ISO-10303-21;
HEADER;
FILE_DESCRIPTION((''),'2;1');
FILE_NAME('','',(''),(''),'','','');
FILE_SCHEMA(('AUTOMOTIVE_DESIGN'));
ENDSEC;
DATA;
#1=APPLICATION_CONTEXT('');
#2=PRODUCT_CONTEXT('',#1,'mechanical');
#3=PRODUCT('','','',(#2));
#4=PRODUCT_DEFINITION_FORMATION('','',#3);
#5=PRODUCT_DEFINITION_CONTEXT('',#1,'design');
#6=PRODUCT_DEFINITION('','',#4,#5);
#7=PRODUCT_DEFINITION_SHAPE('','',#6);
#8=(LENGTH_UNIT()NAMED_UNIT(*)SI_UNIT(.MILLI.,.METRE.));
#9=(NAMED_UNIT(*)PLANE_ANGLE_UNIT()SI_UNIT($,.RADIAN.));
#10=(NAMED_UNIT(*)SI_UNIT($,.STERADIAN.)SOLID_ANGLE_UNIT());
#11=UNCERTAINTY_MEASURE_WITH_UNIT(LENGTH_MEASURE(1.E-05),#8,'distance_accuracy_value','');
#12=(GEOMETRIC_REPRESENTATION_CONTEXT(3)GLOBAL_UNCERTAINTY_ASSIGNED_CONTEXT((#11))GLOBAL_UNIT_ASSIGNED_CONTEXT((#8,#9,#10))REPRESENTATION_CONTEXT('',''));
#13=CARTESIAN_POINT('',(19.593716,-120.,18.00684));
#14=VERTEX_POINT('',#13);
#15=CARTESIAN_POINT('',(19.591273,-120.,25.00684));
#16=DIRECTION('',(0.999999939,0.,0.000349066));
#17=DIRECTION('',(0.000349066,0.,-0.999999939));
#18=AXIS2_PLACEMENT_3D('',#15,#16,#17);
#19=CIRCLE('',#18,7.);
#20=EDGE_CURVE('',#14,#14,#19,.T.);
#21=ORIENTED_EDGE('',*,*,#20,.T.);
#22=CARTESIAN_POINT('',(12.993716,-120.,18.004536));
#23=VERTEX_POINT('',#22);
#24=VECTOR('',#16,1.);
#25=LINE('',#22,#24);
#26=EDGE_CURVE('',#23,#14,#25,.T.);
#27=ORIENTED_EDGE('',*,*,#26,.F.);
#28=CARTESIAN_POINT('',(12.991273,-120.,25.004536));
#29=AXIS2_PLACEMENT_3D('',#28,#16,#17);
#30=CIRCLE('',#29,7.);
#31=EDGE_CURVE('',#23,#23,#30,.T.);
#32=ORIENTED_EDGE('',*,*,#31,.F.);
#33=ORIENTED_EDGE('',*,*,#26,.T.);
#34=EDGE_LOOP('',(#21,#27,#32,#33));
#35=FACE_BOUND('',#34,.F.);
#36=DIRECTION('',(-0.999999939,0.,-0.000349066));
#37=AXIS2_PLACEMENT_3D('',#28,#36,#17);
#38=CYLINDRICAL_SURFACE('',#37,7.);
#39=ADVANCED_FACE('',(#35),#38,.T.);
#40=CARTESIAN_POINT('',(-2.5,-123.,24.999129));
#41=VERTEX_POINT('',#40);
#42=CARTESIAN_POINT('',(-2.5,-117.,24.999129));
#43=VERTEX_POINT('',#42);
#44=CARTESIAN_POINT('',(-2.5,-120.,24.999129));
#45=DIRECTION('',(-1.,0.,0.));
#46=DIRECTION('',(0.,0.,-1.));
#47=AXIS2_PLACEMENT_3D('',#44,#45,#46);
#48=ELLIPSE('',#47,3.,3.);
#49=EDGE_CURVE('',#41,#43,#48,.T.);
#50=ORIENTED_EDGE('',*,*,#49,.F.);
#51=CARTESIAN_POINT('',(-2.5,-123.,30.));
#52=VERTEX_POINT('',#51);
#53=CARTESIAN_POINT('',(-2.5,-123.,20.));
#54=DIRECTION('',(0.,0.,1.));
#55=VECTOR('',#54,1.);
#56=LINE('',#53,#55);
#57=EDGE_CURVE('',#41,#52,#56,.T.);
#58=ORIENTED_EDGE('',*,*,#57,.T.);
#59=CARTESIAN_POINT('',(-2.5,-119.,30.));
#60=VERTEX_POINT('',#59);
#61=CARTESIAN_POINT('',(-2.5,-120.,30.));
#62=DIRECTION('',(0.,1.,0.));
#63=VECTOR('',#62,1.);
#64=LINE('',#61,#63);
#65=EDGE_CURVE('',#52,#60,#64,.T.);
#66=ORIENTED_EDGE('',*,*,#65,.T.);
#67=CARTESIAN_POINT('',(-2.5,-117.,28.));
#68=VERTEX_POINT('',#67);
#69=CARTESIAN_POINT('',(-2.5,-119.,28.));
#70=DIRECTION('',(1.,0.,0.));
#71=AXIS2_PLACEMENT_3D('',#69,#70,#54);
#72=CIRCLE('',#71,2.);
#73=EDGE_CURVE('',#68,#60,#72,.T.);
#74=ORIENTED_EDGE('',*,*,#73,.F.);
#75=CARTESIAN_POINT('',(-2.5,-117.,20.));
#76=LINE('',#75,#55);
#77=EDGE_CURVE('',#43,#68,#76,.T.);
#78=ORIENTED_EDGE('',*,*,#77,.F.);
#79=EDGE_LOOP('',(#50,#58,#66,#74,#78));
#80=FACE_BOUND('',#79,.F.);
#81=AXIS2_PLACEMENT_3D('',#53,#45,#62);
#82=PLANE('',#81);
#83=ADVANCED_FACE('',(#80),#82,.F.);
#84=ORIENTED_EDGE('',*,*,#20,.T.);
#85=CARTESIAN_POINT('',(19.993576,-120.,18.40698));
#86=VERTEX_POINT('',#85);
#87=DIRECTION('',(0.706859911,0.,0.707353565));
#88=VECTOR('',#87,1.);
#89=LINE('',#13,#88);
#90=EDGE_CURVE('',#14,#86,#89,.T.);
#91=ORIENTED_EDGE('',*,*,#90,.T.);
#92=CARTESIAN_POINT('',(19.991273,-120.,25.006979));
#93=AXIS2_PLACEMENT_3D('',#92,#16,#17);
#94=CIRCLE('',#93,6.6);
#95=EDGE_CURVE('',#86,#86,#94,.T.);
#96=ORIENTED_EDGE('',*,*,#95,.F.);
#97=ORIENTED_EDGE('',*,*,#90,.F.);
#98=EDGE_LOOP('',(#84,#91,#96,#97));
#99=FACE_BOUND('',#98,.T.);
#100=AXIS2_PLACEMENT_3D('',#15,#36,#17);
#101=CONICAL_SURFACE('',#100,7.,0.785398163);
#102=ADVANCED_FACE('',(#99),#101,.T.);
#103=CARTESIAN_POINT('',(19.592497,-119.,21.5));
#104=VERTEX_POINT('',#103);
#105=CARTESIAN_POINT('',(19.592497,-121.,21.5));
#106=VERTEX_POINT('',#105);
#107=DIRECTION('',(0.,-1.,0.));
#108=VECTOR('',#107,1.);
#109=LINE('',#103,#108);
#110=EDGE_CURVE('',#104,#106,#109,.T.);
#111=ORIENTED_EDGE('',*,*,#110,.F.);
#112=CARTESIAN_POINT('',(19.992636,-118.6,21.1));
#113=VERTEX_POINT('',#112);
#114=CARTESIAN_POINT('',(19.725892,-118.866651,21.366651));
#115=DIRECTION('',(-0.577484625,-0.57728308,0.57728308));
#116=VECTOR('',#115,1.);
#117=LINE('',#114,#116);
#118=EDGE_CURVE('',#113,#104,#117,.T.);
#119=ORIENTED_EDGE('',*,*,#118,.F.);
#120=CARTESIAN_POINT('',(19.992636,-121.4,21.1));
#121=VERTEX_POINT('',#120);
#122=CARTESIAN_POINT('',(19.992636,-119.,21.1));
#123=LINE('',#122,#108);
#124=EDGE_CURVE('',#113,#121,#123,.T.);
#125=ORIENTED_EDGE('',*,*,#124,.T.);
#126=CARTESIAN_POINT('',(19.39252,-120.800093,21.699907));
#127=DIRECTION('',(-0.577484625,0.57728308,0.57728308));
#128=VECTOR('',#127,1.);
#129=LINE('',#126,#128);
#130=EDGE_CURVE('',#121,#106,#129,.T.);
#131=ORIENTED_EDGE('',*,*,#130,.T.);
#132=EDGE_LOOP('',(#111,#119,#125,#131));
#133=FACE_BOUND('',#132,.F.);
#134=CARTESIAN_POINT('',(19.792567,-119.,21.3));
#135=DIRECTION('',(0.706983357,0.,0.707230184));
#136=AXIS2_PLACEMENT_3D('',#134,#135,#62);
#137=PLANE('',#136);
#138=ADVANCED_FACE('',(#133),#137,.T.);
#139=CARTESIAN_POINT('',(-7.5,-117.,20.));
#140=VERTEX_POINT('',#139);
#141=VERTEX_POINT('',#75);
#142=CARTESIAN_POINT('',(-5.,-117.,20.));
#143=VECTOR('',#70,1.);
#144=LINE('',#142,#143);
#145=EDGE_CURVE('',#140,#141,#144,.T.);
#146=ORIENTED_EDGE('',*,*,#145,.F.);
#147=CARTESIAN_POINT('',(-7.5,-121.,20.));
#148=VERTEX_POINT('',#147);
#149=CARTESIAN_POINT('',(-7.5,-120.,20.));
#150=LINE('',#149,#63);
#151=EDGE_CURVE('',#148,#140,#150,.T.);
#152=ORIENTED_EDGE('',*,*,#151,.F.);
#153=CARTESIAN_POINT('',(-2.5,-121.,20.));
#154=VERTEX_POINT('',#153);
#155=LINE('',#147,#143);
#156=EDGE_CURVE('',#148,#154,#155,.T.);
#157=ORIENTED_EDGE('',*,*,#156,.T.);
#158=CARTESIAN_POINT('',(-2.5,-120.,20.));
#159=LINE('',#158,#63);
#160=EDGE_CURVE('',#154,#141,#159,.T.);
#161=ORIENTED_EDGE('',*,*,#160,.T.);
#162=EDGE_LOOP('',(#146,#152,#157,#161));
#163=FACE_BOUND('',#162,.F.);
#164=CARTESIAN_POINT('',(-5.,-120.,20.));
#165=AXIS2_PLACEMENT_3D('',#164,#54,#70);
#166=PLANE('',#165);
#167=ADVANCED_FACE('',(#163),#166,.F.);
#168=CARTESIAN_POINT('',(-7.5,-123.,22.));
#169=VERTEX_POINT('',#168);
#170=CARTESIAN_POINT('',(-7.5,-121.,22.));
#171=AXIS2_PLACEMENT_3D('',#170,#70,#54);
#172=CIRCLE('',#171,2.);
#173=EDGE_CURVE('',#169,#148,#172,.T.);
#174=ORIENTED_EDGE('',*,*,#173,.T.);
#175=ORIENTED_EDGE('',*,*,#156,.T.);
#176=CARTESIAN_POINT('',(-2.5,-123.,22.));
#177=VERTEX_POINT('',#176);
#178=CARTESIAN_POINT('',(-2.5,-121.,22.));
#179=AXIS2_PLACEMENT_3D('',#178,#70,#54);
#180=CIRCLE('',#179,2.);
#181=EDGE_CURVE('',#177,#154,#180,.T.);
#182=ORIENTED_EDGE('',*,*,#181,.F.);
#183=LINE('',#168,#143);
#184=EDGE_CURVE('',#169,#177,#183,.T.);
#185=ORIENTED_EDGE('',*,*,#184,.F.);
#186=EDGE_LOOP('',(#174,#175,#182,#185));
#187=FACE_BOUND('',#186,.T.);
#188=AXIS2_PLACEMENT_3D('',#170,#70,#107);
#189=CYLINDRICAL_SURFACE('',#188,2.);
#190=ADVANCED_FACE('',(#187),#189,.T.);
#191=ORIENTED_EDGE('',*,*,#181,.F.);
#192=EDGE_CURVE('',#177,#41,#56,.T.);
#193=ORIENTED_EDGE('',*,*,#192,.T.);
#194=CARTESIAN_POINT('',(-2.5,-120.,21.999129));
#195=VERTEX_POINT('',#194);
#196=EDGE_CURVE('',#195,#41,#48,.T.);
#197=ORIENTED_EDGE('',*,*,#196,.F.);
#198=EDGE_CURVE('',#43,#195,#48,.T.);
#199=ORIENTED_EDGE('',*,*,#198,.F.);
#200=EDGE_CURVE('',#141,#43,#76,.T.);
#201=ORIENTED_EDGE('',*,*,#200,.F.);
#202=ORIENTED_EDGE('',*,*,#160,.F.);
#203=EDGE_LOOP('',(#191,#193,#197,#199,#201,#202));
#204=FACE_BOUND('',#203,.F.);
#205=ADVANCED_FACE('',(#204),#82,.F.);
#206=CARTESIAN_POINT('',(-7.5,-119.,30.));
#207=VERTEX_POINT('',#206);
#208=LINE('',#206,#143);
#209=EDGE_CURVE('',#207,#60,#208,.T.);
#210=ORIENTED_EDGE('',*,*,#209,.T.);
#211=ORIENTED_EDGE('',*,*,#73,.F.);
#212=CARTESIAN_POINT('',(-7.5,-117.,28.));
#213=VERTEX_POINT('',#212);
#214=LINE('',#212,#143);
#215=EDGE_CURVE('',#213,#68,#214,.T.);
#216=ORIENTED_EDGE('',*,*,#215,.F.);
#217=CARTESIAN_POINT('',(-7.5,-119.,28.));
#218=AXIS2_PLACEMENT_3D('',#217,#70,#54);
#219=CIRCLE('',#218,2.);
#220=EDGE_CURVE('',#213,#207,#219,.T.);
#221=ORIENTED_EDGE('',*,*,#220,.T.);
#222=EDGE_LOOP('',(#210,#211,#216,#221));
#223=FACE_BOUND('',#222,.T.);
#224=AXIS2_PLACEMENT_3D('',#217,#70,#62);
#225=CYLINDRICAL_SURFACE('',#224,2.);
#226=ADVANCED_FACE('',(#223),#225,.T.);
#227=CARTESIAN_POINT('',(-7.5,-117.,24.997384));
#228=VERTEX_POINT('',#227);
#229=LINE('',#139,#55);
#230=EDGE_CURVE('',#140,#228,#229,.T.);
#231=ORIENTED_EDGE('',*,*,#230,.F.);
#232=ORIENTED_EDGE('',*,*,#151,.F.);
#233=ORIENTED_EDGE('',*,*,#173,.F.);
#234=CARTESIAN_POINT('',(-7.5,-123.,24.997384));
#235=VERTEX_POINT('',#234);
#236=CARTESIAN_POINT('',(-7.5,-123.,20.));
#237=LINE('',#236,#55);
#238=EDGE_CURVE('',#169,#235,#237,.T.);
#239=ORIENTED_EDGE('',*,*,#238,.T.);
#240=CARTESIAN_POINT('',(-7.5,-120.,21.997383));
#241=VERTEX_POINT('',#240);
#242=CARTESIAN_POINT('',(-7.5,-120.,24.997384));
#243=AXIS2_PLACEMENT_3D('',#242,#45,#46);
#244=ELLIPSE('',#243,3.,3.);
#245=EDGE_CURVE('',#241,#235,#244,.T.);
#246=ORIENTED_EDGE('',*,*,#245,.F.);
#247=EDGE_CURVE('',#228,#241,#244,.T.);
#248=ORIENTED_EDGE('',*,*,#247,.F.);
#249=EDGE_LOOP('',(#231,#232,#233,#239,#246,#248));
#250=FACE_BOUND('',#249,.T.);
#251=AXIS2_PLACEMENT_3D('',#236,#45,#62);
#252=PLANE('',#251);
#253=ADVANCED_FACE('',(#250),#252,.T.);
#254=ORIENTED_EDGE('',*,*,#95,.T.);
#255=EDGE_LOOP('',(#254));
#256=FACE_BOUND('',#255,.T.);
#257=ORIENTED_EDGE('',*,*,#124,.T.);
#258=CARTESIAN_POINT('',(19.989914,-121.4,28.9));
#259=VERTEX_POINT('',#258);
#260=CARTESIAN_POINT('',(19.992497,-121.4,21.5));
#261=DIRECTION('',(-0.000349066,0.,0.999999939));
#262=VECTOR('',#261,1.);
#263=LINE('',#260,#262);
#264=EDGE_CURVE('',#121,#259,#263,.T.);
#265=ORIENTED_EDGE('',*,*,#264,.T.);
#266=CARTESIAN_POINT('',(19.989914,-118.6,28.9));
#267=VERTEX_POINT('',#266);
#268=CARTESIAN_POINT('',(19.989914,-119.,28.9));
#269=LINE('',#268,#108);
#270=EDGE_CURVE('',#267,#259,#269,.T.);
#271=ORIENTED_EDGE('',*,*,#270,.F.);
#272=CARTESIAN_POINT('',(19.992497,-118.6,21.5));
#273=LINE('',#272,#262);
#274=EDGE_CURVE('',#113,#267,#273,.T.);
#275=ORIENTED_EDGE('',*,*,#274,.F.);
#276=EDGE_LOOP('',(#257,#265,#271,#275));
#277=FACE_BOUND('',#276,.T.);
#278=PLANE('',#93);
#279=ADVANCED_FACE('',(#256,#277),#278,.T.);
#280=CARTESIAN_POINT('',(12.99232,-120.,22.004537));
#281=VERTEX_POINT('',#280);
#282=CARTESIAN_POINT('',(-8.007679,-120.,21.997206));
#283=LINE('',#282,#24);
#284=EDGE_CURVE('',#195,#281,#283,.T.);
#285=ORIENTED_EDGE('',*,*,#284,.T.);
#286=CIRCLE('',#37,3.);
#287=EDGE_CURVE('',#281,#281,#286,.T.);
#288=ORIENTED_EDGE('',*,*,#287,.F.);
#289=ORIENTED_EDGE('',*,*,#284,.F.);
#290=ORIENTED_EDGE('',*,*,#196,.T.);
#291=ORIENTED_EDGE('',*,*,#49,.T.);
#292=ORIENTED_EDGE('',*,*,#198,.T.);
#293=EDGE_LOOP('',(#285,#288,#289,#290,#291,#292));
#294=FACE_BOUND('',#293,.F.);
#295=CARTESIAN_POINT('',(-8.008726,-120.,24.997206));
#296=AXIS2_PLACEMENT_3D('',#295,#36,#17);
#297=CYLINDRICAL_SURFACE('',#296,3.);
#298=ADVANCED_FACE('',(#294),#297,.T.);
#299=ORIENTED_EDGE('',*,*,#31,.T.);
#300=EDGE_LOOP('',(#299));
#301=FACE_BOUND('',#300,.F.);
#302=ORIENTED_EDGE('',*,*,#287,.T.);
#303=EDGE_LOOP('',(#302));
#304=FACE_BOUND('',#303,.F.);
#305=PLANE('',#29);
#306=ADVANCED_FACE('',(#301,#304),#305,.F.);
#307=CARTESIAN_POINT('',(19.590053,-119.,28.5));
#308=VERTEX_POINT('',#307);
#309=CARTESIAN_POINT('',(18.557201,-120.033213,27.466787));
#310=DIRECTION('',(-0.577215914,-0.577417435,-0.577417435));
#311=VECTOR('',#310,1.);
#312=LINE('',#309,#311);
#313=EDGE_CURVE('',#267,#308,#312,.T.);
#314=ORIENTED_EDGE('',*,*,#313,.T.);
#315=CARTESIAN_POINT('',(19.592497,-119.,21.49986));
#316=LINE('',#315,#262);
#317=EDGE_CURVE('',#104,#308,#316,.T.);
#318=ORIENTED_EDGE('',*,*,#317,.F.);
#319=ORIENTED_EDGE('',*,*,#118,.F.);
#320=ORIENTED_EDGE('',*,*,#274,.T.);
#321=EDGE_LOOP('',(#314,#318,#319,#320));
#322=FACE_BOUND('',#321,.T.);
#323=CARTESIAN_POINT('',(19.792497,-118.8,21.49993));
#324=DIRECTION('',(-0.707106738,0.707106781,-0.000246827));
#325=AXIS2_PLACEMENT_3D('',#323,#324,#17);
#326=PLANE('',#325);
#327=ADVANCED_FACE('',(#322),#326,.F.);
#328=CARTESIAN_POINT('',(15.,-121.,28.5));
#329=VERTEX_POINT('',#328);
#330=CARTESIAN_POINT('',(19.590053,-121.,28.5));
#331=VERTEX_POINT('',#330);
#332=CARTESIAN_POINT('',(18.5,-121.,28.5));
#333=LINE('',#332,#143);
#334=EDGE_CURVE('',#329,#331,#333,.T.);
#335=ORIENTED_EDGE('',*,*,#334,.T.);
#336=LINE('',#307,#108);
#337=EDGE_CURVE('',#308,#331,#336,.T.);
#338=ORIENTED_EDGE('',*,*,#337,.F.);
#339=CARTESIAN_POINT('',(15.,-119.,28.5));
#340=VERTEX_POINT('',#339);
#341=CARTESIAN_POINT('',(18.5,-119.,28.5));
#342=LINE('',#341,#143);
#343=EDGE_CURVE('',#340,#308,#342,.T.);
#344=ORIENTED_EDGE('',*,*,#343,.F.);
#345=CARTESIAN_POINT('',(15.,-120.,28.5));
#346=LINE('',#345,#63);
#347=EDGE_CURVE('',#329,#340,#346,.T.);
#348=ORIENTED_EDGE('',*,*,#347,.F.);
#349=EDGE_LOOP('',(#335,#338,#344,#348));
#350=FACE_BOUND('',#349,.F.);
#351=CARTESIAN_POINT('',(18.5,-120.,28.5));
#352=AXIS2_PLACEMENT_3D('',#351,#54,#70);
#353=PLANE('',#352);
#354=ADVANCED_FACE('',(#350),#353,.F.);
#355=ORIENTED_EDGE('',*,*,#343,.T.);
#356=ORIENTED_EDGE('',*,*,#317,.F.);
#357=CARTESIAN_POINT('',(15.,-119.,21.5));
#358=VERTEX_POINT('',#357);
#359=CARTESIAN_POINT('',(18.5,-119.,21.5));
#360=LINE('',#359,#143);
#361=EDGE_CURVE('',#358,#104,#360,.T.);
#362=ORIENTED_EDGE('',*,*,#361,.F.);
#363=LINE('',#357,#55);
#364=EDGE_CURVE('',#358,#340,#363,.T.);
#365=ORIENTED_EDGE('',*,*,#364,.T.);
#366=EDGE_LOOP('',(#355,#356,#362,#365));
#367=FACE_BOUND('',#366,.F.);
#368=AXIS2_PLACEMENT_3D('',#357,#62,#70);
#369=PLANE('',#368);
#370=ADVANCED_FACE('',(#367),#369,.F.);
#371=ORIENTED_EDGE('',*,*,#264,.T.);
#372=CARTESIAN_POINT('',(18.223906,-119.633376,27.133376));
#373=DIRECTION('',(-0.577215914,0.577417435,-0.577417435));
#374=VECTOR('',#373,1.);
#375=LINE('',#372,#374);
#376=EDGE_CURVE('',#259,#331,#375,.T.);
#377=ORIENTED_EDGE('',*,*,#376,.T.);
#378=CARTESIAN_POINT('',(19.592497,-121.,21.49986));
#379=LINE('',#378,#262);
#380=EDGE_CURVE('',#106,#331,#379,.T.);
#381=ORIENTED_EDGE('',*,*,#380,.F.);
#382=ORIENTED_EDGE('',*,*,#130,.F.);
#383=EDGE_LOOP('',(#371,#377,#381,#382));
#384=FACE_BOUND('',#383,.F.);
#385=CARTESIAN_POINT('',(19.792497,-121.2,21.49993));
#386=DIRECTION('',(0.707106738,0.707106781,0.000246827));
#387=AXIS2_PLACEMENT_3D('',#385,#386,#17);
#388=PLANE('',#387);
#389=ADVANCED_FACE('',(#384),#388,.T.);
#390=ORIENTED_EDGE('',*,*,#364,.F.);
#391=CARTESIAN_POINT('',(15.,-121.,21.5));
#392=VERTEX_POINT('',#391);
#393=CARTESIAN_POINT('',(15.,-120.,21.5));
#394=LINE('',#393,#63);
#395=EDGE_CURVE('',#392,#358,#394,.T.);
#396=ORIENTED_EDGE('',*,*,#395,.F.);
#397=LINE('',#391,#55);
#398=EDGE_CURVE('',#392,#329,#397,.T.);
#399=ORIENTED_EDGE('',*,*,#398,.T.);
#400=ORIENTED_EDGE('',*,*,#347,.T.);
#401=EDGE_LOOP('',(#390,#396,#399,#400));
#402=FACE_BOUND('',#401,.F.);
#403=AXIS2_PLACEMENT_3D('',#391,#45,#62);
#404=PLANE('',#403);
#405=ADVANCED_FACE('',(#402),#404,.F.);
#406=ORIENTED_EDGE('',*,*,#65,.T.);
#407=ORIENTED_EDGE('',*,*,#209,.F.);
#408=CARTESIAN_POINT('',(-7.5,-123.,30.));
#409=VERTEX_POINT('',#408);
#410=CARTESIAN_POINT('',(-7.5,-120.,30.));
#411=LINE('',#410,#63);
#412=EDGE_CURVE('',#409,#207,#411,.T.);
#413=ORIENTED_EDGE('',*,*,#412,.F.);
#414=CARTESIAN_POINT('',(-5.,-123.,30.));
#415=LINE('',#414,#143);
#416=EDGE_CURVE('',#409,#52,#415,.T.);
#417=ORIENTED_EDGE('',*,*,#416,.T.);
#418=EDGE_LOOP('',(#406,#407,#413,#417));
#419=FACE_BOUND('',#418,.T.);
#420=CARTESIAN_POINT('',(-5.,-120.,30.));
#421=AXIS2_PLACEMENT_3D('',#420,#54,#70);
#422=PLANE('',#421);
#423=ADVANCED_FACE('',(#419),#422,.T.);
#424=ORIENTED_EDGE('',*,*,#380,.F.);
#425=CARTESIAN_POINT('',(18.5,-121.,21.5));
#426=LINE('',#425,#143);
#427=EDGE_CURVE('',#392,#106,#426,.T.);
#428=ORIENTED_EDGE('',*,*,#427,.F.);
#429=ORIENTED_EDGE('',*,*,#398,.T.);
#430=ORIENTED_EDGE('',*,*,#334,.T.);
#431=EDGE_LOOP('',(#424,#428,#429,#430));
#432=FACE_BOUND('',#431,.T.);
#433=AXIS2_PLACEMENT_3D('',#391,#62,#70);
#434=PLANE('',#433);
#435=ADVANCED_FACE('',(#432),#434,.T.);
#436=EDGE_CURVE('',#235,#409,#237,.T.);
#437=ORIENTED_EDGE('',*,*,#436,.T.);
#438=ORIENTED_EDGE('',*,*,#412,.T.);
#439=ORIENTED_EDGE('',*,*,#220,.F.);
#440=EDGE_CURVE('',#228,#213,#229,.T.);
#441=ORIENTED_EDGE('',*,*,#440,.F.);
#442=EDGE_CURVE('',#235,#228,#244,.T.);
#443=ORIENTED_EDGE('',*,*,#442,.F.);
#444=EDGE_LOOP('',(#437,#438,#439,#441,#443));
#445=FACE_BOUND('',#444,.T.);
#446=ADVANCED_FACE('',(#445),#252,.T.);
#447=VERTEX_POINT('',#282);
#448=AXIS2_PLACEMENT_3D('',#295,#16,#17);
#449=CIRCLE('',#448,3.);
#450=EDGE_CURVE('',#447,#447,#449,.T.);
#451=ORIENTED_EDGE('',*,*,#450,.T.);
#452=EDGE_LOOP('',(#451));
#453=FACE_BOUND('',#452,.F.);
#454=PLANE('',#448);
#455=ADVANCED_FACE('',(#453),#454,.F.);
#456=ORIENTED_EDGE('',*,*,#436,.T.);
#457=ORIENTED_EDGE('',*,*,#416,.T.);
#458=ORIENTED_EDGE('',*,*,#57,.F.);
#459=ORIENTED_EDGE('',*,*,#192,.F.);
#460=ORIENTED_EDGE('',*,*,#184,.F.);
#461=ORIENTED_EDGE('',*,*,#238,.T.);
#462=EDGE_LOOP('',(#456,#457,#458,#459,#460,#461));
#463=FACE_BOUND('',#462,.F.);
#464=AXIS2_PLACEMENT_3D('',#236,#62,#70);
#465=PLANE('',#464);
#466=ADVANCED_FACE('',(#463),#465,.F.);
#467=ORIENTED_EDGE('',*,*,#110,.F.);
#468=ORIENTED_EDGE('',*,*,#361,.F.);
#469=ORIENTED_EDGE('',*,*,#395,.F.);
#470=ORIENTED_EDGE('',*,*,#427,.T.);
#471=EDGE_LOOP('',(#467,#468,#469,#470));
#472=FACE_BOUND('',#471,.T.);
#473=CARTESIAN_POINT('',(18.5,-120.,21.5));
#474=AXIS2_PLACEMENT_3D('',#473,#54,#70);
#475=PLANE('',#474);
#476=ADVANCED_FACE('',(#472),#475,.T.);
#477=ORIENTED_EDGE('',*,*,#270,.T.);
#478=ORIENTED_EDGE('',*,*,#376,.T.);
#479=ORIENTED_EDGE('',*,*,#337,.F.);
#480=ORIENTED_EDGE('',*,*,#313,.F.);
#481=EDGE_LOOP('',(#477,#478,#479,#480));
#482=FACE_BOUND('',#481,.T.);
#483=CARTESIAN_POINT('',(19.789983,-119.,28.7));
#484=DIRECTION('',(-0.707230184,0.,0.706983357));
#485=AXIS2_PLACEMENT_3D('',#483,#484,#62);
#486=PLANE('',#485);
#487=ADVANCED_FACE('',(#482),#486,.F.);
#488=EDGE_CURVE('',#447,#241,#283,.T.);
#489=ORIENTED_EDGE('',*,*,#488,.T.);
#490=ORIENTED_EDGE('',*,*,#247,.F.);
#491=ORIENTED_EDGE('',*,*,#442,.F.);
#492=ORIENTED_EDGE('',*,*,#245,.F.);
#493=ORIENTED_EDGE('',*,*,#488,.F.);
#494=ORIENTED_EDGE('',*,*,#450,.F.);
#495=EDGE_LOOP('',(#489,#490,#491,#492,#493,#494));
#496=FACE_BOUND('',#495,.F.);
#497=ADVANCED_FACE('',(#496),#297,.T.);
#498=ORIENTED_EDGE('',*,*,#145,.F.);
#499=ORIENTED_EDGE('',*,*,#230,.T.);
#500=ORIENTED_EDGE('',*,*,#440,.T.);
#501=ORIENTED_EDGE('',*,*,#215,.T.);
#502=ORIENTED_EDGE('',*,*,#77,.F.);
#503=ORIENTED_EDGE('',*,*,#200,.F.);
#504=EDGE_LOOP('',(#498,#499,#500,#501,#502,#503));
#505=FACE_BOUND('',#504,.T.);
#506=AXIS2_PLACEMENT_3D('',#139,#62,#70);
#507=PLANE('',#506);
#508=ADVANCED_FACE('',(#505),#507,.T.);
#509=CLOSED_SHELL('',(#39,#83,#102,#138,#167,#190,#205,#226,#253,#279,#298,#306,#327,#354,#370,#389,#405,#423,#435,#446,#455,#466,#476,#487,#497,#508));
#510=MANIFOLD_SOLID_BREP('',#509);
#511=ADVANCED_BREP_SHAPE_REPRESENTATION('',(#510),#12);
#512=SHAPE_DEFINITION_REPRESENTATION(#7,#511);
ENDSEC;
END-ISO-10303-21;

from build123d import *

# Parameters (mm, degrees)
BOX020_W                    = 7
BOX020_H                    = 2
BOX020_DEPTH                = 7
BOX019_W                    = 5
BOX019_H                    = 6
BOX019_DEPTH                = 10
FILLET_R                    = 2
CYLINDER024_R               = 3
CYLINDER024_DEPTH           = 27
CYLINDER024_PLACEMENT_ANGLE = 89.98
CYLINDER025_R               = 7
CYLINDER025_DEPTH           = 7
CYLINDER025_PLACEMENT_ANGLE = 89.98
CHAMFER016_SIZE             = 0.4


with BuildPart() as cube020:
    # Box020 → Box020 (new body)
    with BuildSketch(Plane(origin=(15, -121, 21.5), x_dir=(1, 0, 0), z_dir=(0, 0, 1))):
        with Locations((3.5, 1)):
            Rectangle(BOX020_W, BOX020_H)
    extrude(amount=BOX020_DEPTH)


with BuildPart() as fillet_body:
    # Box019 → Box019 (new body)
    with BuildSketch(Plane(origin=(-7.5, -123, 20), x_dir=(1, 0, 0), z_dir=(0, 0, 1))):
        with Locations((2.5, 3)):
            Rectangle(BOX019_W, BOX019_H)
    extrude(amount=BOX019_DEPTH)

    # Fillet
    fillet_edges = [fillet_body.edges().sort_by_distance(p)[0] for p in [
        (-5, -123, 20),
        (-5, -117, 30),
    ]]
    fillet(fillet_edges, radius=FILLET_R)


with BuildPart() as cylinder024:
    # Cylinder024 → Cylinder024 (new body)
    with BuildSketch(Plane.XY):
        Circle(CYLINDER024_R)
    extrude(amount=CYLINDER024_DEPTH)


with BuildPart() as cylinder024_1:
    # Cylinder024 placement: moved
    add(cylinder024.part.moved(Location((-8.008726, -120, 24.997206))).rotate(Axis((-8.008726, -120, 24.997206), (0, 1, 0)), CYLINDER024_PLACEMENT_ANGLE))


with BuildPart() as lock:
    # Cylinder025 → Cylinder025 (new body)
    with BuildSketch(Plane.XY):
        Circle(CYLINDER025_R)
    extrude(amount=CYLINDER025_DEPTH)


with BuildPart() as lock_1:
    # Cylinder025 placement: moved
    add(lock.part.moved(Location((12.991273, -120, 25.004536))).rotate(Axis((12.991273, -120, 25.004536), (0, 1, 0)), CYLINDER025_PLACEMENT_ANGLE))

    # Fusion003009: union Fillet body, Cylinder024
    add(fillet_body.part)
    add(cylinder024_1.part)

    # Cut034: cut Cube020
    add(cube020.part, mode=Mode.SUBTRACT)

    # Chamfer016
    chamfer016_edges = [lock_1.edges().sort_by_distance(p)[0] for p in [
        (19.988829, -120, 32.006979),
        (19.992496, -120, 21.5),
        (19.991275, -119, 25),
        (19.990053, -120, 28.5),
        (19.991275, -121, 25),
    ]]
    chamfer(chamfer016_edges, length=CHAMFER016_SIZE)


solid = lock_1.part
